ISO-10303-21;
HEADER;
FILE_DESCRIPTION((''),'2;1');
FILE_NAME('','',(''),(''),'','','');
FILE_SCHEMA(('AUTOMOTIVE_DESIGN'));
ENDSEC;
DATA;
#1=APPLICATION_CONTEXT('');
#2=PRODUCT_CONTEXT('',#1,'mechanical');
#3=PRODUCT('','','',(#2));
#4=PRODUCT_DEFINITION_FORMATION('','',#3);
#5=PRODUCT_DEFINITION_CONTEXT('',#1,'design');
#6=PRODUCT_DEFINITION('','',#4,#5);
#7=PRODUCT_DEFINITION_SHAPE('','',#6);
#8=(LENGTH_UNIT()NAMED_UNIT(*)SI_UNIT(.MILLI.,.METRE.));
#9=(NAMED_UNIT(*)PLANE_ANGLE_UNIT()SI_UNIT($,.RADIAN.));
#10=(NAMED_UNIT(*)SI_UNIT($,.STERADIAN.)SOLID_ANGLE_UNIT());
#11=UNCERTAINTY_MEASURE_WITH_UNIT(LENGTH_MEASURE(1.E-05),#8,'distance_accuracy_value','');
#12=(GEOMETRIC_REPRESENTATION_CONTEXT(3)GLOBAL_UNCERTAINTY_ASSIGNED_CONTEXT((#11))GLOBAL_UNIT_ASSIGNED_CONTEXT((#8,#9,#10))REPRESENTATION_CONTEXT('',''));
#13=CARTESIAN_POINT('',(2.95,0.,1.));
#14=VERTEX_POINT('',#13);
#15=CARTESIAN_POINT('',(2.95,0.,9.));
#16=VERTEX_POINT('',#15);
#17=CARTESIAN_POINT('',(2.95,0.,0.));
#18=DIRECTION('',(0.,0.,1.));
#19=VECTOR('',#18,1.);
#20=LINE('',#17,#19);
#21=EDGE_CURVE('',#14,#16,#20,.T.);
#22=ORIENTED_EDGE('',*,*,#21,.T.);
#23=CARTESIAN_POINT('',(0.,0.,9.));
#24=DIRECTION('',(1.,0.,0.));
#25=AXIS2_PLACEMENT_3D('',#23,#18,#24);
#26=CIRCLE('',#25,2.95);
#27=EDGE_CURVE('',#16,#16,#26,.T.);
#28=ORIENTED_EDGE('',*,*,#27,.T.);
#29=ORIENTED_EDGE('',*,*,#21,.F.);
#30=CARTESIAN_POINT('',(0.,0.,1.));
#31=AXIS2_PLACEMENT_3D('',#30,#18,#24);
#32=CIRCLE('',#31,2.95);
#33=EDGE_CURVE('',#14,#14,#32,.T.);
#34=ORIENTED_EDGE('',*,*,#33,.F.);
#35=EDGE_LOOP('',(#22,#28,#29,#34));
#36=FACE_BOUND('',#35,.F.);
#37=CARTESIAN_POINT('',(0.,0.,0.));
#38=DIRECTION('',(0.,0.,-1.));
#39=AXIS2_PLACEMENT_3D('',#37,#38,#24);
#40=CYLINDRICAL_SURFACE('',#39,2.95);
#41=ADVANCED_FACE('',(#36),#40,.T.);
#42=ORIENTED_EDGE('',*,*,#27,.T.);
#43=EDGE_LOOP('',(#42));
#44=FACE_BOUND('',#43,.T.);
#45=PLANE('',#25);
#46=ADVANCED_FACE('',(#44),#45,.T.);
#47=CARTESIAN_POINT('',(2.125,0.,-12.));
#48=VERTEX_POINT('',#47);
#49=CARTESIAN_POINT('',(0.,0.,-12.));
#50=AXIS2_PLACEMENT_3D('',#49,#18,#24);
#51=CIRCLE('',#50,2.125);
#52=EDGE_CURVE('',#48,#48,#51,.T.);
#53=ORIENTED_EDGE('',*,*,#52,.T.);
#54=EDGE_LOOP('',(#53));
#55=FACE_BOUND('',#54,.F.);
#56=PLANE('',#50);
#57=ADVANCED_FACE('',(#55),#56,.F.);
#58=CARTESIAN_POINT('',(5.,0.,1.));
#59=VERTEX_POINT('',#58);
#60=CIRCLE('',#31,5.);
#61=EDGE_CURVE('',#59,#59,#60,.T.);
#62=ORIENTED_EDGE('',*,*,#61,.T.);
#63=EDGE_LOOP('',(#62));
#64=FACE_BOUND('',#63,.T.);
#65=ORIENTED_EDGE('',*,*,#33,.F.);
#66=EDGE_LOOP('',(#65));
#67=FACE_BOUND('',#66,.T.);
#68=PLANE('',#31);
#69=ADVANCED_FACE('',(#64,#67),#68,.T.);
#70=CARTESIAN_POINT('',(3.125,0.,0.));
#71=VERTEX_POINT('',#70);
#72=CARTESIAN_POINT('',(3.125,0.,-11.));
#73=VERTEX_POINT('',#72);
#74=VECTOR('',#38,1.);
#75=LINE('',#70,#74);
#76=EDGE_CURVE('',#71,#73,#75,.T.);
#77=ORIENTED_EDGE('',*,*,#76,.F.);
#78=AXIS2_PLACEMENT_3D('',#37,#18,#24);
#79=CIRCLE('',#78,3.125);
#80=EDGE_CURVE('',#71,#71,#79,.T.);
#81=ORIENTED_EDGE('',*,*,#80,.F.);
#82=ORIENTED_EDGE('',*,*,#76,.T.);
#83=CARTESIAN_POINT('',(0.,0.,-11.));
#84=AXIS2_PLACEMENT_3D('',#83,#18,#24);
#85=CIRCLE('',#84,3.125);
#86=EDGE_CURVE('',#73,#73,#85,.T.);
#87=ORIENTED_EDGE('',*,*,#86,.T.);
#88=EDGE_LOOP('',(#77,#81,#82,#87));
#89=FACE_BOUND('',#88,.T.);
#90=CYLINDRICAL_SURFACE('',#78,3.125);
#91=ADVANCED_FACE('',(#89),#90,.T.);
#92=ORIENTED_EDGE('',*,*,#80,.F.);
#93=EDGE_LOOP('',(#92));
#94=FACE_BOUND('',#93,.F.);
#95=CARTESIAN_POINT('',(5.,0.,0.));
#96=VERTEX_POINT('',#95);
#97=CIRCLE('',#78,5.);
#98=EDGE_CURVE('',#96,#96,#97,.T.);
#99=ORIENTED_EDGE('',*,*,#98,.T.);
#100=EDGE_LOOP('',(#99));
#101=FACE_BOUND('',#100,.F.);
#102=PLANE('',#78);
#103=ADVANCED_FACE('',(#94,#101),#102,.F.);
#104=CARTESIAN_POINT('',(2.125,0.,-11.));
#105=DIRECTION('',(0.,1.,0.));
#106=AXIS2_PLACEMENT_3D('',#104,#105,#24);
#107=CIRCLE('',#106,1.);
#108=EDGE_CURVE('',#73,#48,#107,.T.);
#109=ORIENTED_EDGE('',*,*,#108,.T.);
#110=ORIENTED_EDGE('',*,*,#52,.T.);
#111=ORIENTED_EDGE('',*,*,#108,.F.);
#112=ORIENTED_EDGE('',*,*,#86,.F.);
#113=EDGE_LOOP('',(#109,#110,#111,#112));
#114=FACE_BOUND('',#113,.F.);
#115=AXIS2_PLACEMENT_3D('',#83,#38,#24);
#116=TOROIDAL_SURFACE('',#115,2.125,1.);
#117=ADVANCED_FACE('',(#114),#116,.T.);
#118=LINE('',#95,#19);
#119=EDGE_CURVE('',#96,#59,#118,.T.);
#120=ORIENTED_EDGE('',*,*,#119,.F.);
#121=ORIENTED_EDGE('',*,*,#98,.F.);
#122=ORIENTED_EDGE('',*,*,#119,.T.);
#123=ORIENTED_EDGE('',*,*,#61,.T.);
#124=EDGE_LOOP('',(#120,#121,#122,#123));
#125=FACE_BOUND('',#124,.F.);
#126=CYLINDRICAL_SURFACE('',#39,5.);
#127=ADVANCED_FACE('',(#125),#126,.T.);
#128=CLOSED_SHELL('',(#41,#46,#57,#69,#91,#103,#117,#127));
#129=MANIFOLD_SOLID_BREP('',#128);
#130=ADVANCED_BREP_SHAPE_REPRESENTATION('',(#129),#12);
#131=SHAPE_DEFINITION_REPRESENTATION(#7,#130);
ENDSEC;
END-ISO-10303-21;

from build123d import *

# Parameters (mm, degrees)
F0_R     = 2.95
F1_DEPTH = 9
F0_R_2   = 5
F0_R_3   = 3.125
F2_DEPTH = 1
F3_DEPTH = 12
F4_R     = 1


with BuildPart() as f1:
    # F0 (on Top) → F1 (new body)
    with BuildSketch(Plane.XY):
        Circle(F0_R)
    extrude(amount=F1_DEPTH)

    # F0 (on Top) → F2 (join)
    with BuildSketch(Plane.XY):
        Circle(F0_R_2)
        Circle(F0_R_3, mode=Mode.SUBTRACT)
        Circle(F0_R_3)
        Circle(F0_R, mode=Mode.SUBTRACT)
    extrude(amount=F2_DEPTH)

    # F0 (on Top) → F3 (join)
    with BuildSketch(Plane.XY):
        Circle(F0_R_3)
        Circle(F0_R, mode=Mode.SUBTRACT)
        Circle(F0_R)
    extrude(amount=-F3_DEPTH)

    # F4
    f4_edges = [f1.edges().sort_by_distance(p)[0] for p in [
        (-3.125, 0, -12),
    ]]
    fillet(f4_edges, radius=F4_R)


solid = f1.part
